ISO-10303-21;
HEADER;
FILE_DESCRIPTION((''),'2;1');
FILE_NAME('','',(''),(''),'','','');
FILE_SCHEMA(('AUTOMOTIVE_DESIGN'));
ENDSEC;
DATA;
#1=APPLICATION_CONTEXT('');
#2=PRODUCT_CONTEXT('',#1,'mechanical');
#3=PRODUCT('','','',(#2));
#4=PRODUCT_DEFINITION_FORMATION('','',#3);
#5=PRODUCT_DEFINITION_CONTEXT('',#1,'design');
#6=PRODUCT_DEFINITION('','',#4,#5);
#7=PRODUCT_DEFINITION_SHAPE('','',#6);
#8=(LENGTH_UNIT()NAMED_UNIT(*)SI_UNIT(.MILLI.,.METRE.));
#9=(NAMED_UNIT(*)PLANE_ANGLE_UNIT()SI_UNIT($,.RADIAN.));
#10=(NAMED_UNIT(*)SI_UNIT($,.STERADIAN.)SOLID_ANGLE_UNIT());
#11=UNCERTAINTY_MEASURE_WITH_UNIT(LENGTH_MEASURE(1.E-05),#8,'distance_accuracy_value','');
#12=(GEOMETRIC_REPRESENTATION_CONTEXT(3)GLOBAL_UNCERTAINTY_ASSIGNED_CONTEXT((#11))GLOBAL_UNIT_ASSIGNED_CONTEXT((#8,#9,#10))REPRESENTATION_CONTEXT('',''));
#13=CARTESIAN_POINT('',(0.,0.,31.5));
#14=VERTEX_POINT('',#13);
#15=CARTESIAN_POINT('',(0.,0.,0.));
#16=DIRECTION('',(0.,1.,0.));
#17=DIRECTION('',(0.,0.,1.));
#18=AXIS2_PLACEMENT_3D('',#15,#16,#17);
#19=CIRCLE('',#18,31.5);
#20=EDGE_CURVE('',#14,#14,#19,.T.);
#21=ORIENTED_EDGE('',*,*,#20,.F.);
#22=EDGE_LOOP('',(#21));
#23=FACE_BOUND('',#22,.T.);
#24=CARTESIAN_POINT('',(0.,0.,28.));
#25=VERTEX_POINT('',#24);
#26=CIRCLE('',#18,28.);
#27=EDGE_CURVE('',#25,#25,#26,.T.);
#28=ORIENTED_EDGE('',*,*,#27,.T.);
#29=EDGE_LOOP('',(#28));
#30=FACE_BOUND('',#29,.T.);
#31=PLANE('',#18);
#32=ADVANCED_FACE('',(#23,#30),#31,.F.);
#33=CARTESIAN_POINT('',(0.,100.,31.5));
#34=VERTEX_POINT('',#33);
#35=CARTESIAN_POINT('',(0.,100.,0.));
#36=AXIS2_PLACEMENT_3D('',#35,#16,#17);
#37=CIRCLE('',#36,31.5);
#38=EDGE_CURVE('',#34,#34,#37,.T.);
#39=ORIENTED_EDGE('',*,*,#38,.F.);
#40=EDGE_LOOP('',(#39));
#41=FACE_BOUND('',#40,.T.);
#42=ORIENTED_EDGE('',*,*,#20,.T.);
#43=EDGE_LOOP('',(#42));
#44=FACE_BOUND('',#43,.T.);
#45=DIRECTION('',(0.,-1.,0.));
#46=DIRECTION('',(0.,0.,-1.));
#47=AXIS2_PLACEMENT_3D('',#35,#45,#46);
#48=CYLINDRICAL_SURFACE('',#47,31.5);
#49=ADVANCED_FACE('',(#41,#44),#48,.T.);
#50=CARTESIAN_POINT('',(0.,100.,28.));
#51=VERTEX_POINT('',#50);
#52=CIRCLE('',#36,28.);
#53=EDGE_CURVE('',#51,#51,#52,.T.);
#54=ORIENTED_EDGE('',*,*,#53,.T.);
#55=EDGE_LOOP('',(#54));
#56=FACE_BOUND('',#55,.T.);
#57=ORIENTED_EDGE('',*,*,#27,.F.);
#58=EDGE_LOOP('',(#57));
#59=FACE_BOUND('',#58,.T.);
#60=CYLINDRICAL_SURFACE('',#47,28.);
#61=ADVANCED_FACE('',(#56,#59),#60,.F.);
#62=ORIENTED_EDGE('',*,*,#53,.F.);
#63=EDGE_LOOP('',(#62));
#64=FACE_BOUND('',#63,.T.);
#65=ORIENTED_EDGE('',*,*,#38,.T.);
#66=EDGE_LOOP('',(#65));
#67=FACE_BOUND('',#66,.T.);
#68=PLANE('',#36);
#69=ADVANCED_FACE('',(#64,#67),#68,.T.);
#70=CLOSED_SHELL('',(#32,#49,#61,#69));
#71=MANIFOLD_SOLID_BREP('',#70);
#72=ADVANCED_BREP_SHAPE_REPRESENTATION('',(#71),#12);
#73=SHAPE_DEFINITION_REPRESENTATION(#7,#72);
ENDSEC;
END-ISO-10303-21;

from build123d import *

# Parameters (mm, degrees)
ESQUISSE1_R        = 31.5
ESQUISSE1_R_2      = 28
BOSS_EXTRU_1_DEPTH = 100


with BuildPart() as part:
    # Esquisse1 → Boss.-Extru.1 (new body)
    with BuildSketch(Plane(origin=(0, 0, 0), x_dir=(1, 0, 0), z_dir=(0, 1, 0))):
        Circle(ESQUISSE1_R)
        Circle(ESQUISSE1_R_2, mode=Mode.SUBTRACT)
    extrude(amount=BOSS_EXTRU_1_DEPTH)


solid = part.part
